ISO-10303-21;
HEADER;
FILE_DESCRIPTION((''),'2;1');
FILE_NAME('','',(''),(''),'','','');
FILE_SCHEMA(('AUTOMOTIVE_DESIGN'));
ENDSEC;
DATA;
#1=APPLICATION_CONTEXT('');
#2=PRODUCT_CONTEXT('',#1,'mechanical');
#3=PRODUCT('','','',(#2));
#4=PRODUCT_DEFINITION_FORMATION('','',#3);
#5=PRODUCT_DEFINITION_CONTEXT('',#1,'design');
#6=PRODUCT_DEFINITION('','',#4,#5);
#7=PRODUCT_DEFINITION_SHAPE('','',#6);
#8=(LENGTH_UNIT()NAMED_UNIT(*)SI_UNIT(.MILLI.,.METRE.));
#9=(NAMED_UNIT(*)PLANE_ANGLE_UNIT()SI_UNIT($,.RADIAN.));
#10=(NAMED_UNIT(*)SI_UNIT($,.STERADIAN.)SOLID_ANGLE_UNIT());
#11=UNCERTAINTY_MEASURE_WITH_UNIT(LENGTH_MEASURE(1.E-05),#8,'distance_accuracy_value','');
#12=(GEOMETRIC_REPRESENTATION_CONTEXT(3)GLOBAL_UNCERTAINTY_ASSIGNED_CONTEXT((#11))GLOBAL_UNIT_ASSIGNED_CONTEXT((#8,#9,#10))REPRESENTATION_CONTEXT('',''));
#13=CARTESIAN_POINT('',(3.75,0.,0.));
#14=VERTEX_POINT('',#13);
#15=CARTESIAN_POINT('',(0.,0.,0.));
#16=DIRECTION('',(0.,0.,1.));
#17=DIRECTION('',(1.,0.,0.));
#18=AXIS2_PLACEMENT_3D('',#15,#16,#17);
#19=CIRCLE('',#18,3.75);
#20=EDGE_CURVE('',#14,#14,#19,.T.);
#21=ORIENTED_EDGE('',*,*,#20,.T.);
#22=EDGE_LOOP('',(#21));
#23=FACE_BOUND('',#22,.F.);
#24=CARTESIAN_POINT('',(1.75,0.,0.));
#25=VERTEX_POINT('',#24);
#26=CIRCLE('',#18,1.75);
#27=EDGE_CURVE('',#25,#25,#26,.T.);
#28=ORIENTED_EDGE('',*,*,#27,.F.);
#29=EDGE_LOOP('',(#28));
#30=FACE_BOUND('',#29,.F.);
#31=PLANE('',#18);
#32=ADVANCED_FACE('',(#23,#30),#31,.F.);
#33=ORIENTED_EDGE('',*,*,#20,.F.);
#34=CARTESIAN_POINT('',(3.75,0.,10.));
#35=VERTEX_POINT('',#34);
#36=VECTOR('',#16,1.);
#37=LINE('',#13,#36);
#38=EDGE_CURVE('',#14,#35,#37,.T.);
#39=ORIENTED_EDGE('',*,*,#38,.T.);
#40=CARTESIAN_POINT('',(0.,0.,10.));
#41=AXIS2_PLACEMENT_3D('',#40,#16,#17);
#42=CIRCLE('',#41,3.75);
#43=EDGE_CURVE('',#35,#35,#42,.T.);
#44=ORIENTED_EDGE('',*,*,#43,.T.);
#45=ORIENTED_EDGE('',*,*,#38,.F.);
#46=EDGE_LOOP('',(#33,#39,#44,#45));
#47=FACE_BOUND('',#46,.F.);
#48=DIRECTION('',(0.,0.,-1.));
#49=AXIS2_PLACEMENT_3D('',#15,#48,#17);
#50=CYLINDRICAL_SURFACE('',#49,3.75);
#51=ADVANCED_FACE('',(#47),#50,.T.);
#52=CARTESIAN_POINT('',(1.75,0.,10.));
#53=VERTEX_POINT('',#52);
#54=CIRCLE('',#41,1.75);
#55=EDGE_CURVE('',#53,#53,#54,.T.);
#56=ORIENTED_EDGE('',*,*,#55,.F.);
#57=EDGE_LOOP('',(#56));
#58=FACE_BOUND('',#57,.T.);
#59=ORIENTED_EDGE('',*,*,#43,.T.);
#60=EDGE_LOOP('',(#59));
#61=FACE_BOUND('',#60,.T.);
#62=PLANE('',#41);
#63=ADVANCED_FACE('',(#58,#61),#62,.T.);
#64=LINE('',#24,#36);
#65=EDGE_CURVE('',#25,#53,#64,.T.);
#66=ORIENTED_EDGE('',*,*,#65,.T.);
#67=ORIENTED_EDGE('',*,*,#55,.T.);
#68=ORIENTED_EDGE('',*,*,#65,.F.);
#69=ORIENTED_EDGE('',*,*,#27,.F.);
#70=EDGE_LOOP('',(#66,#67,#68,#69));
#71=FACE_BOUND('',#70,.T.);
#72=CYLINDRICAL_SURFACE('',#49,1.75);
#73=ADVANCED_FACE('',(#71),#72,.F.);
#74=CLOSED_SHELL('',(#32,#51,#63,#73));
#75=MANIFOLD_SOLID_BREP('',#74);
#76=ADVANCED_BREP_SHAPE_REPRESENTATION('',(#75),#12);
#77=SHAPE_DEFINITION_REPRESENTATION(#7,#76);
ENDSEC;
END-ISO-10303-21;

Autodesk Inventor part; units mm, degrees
ref_plane "YZ Plane" through (0, 0, 0) normal (1, 0, 0) x (0, 1, 0)
ref_plane "XZ Plane" through (0, 0, 0) normal (0, 1, 0) x (-1, 0, 0)
ref_plane "XY Plane" through (0, 0, 0) normal (0, 0, 1) x (1, 0, 0)
sketch "Sketch1" plane through (0, 0, 0) normal (0, 0, 1) x (1, 0, 0)
  circle A0 centre (0, 0) radius 1.75
  circle A1 centre (0, 0) radius 3.75
  dimension "d0" = 3.5
  dimension "d1" = 2
extrude "Extrusion1" add sketch "Sketch1" along normal blind 10
properties part number "PCBSPACER"
